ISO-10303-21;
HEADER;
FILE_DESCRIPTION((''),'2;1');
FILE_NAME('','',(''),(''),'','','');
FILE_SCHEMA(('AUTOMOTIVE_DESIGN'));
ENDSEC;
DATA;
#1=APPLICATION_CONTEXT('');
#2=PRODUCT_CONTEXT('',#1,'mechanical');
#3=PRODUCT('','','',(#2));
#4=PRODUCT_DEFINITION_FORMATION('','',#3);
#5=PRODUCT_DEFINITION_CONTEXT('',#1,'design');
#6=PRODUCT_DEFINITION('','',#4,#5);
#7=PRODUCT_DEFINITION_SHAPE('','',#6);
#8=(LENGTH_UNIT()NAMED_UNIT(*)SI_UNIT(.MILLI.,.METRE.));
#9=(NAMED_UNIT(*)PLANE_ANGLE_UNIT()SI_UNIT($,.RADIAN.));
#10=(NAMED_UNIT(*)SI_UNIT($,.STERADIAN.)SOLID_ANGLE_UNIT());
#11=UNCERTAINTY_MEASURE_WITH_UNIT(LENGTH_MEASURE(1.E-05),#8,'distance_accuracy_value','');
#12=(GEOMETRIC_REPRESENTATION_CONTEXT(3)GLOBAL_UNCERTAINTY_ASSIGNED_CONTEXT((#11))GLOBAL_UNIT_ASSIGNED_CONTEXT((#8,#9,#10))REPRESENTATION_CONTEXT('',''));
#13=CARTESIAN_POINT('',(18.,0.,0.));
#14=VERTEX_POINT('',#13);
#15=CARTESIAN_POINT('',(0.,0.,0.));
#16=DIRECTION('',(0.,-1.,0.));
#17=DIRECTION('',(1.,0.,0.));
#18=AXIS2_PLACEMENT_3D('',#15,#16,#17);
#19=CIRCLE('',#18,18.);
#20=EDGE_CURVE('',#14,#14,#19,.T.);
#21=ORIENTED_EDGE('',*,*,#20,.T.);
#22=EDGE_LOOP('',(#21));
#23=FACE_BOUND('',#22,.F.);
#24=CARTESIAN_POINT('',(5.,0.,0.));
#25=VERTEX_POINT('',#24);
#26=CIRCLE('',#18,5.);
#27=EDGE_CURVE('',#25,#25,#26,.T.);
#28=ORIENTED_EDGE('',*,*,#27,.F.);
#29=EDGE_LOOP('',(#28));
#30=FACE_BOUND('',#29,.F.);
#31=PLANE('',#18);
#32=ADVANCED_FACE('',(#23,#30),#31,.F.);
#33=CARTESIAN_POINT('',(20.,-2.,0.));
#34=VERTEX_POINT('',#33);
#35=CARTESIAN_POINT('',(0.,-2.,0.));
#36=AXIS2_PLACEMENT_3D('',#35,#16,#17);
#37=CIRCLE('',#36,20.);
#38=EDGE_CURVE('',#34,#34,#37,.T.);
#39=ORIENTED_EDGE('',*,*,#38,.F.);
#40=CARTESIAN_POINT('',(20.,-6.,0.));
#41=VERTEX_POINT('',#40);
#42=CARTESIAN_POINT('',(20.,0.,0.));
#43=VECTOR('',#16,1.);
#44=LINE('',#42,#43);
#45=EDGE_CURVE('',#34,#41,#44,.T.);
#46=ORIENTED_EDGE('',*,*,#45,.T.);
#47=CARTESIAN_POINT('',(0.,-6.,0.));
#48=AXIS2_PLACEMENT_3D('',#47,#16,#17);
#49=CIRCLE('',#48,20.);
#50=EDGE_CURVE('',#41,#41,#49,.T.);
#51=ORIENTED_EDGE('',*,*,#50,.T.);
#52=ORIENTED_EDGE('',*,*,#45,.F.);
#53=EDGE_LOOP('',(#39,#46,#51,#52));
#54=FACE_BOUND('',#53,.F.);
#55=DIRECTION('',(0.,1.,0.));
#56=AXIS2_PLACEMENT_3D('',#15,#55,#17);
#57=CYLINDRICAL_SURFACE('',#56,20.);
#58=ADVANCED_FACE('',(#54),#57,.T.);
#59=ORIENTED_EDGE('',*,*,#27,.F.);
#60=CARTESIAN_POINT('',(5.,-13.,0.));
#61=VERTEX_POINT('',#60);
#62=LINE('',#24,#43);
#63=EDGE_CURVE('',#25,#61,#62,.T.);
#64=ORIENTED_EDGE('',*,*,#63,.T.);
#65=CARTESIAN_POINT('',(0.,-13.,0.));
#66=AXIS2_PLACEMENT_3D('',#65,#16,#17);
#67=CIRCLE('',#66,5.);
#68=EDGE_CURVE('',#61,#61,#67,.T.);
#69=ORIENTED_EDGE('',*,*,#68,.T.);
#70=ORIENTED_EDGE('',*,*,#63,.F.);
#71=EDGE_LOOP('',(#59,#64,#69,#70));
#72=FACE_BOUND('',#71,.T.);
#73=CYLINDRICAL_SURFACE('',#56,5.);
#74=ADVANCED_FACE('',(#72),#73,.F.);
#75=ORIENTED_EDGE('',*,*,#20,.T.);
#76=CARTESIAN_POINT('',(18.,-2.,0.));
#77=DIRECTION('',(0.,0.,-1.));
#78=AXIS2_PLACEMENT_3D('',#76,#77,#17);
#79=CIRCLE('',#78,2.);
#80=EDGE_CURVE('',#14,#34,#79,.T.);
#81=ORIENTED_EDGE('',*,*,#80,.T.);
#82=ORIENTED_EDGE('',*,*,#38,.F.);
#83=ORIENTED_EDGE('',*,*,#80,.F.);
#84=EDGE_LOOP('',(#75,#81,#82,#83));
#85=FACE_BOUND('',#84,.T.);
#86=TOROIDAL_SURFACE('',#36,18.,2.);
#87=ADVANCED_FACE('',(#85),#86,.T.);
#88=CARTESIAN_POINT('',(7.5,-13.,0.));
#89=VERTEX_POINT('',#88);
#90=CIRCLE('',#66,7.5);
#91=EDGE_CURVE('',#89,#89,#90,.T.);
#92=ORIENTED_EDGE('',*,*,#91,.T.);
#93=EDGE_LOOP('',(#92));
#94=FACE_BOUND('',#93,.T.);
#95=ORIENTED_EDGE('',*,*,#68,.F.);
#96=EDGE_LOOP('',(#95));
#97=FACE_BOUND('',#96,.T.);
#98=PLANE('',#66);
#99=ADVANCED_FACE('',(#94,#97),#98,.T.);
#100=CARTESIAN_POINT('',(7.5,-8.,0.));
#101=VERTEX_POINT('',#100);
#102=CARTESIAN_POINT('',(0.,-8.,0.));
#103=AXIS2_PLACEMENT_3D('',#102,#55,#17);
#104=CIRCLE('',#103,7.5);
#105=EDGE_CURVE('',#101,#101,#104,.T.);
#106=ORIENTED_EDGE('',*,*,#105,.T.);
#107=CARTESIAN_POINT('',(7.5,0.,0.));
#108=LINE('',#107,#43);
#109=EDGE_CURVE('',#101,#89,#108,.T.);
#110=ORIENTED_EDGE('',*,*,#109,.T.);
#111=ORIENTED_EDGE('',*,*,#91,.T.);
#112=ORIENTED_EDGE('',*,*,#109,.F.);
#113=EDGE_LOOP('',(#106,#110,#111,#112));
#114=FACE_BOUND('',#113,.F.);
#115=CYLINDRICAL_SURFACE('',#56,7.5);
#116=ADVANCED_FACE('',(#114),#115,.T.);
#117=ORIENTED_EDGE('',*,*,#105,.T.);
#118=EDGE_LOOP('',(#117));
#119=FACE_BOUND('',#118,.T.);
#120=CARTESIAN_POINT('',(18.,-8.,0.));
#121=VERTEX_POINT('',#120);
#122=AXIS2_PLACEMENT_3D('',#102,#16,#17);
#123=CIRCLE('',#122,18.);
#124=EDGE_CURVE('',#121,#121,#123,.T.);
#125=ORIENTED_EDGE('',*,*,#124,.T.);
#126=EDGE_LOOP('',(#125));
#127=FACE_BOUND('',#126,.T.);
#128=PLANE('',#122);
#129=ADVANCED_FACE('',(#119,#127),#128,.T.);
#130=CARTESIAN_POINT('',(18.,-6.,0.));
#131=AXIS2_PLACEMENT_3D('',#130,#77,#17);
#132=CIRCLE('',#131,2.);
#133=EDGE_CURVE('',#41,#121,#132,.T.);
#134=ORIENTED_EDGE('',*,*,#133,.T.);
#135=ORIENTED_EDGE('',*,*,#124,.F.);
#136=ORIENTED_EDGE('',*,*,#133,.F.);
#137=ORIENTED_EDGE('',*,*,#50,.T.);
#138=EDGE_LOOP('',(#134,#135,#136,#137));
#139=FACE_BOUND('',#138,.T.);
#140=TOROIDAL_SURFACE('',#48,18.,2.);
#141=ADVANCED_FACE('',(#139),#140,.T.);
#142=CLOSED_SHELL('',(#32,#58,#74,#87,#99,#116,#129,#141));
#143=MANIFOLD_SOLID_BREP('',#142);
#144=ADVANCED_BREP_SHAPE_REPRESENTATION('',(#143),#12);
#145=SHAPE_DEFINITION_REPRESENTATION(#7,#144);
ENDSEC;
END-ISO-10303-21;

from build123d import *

# Parameters (mm, degrees)
F0_R     = 20
F0_R_2   = 7.5
F0_R_3   = 5
F1_DEPTH = 8
F2_DEPTH = 13
F3_R     = 2


with BuildPart() as f1:
    # F0 (on Front) → F1 (new body)
    with BuildSketch(Plane.XZ):
        Circle(F0_R)
        Circle(F0_R_2, mode=Mode.SUBTRACT)
        Circle(F0_R_2)
        Circle(F0_R_3, mode=Mode.SUBTRACT)
    extrude(amount=F1_DEPTH)

    # F0 (on Front) → F2 (join)
    with BuildSketch(Plane.XZ):
        Circle(F0_R_2)
        Circle(F0_R_3, mode=Mode.SUBTRACT)
    extrude(amount=F2_DEPTH)

    # F3
    f3_edges = [f1.edges().sort_by_distance(p)[0] for p in [
        (-20, 0, 0),
        (-20, -8, 0),
    ]]
    fillet(f3_edges, radius=F3_R)


solid = f1.part
